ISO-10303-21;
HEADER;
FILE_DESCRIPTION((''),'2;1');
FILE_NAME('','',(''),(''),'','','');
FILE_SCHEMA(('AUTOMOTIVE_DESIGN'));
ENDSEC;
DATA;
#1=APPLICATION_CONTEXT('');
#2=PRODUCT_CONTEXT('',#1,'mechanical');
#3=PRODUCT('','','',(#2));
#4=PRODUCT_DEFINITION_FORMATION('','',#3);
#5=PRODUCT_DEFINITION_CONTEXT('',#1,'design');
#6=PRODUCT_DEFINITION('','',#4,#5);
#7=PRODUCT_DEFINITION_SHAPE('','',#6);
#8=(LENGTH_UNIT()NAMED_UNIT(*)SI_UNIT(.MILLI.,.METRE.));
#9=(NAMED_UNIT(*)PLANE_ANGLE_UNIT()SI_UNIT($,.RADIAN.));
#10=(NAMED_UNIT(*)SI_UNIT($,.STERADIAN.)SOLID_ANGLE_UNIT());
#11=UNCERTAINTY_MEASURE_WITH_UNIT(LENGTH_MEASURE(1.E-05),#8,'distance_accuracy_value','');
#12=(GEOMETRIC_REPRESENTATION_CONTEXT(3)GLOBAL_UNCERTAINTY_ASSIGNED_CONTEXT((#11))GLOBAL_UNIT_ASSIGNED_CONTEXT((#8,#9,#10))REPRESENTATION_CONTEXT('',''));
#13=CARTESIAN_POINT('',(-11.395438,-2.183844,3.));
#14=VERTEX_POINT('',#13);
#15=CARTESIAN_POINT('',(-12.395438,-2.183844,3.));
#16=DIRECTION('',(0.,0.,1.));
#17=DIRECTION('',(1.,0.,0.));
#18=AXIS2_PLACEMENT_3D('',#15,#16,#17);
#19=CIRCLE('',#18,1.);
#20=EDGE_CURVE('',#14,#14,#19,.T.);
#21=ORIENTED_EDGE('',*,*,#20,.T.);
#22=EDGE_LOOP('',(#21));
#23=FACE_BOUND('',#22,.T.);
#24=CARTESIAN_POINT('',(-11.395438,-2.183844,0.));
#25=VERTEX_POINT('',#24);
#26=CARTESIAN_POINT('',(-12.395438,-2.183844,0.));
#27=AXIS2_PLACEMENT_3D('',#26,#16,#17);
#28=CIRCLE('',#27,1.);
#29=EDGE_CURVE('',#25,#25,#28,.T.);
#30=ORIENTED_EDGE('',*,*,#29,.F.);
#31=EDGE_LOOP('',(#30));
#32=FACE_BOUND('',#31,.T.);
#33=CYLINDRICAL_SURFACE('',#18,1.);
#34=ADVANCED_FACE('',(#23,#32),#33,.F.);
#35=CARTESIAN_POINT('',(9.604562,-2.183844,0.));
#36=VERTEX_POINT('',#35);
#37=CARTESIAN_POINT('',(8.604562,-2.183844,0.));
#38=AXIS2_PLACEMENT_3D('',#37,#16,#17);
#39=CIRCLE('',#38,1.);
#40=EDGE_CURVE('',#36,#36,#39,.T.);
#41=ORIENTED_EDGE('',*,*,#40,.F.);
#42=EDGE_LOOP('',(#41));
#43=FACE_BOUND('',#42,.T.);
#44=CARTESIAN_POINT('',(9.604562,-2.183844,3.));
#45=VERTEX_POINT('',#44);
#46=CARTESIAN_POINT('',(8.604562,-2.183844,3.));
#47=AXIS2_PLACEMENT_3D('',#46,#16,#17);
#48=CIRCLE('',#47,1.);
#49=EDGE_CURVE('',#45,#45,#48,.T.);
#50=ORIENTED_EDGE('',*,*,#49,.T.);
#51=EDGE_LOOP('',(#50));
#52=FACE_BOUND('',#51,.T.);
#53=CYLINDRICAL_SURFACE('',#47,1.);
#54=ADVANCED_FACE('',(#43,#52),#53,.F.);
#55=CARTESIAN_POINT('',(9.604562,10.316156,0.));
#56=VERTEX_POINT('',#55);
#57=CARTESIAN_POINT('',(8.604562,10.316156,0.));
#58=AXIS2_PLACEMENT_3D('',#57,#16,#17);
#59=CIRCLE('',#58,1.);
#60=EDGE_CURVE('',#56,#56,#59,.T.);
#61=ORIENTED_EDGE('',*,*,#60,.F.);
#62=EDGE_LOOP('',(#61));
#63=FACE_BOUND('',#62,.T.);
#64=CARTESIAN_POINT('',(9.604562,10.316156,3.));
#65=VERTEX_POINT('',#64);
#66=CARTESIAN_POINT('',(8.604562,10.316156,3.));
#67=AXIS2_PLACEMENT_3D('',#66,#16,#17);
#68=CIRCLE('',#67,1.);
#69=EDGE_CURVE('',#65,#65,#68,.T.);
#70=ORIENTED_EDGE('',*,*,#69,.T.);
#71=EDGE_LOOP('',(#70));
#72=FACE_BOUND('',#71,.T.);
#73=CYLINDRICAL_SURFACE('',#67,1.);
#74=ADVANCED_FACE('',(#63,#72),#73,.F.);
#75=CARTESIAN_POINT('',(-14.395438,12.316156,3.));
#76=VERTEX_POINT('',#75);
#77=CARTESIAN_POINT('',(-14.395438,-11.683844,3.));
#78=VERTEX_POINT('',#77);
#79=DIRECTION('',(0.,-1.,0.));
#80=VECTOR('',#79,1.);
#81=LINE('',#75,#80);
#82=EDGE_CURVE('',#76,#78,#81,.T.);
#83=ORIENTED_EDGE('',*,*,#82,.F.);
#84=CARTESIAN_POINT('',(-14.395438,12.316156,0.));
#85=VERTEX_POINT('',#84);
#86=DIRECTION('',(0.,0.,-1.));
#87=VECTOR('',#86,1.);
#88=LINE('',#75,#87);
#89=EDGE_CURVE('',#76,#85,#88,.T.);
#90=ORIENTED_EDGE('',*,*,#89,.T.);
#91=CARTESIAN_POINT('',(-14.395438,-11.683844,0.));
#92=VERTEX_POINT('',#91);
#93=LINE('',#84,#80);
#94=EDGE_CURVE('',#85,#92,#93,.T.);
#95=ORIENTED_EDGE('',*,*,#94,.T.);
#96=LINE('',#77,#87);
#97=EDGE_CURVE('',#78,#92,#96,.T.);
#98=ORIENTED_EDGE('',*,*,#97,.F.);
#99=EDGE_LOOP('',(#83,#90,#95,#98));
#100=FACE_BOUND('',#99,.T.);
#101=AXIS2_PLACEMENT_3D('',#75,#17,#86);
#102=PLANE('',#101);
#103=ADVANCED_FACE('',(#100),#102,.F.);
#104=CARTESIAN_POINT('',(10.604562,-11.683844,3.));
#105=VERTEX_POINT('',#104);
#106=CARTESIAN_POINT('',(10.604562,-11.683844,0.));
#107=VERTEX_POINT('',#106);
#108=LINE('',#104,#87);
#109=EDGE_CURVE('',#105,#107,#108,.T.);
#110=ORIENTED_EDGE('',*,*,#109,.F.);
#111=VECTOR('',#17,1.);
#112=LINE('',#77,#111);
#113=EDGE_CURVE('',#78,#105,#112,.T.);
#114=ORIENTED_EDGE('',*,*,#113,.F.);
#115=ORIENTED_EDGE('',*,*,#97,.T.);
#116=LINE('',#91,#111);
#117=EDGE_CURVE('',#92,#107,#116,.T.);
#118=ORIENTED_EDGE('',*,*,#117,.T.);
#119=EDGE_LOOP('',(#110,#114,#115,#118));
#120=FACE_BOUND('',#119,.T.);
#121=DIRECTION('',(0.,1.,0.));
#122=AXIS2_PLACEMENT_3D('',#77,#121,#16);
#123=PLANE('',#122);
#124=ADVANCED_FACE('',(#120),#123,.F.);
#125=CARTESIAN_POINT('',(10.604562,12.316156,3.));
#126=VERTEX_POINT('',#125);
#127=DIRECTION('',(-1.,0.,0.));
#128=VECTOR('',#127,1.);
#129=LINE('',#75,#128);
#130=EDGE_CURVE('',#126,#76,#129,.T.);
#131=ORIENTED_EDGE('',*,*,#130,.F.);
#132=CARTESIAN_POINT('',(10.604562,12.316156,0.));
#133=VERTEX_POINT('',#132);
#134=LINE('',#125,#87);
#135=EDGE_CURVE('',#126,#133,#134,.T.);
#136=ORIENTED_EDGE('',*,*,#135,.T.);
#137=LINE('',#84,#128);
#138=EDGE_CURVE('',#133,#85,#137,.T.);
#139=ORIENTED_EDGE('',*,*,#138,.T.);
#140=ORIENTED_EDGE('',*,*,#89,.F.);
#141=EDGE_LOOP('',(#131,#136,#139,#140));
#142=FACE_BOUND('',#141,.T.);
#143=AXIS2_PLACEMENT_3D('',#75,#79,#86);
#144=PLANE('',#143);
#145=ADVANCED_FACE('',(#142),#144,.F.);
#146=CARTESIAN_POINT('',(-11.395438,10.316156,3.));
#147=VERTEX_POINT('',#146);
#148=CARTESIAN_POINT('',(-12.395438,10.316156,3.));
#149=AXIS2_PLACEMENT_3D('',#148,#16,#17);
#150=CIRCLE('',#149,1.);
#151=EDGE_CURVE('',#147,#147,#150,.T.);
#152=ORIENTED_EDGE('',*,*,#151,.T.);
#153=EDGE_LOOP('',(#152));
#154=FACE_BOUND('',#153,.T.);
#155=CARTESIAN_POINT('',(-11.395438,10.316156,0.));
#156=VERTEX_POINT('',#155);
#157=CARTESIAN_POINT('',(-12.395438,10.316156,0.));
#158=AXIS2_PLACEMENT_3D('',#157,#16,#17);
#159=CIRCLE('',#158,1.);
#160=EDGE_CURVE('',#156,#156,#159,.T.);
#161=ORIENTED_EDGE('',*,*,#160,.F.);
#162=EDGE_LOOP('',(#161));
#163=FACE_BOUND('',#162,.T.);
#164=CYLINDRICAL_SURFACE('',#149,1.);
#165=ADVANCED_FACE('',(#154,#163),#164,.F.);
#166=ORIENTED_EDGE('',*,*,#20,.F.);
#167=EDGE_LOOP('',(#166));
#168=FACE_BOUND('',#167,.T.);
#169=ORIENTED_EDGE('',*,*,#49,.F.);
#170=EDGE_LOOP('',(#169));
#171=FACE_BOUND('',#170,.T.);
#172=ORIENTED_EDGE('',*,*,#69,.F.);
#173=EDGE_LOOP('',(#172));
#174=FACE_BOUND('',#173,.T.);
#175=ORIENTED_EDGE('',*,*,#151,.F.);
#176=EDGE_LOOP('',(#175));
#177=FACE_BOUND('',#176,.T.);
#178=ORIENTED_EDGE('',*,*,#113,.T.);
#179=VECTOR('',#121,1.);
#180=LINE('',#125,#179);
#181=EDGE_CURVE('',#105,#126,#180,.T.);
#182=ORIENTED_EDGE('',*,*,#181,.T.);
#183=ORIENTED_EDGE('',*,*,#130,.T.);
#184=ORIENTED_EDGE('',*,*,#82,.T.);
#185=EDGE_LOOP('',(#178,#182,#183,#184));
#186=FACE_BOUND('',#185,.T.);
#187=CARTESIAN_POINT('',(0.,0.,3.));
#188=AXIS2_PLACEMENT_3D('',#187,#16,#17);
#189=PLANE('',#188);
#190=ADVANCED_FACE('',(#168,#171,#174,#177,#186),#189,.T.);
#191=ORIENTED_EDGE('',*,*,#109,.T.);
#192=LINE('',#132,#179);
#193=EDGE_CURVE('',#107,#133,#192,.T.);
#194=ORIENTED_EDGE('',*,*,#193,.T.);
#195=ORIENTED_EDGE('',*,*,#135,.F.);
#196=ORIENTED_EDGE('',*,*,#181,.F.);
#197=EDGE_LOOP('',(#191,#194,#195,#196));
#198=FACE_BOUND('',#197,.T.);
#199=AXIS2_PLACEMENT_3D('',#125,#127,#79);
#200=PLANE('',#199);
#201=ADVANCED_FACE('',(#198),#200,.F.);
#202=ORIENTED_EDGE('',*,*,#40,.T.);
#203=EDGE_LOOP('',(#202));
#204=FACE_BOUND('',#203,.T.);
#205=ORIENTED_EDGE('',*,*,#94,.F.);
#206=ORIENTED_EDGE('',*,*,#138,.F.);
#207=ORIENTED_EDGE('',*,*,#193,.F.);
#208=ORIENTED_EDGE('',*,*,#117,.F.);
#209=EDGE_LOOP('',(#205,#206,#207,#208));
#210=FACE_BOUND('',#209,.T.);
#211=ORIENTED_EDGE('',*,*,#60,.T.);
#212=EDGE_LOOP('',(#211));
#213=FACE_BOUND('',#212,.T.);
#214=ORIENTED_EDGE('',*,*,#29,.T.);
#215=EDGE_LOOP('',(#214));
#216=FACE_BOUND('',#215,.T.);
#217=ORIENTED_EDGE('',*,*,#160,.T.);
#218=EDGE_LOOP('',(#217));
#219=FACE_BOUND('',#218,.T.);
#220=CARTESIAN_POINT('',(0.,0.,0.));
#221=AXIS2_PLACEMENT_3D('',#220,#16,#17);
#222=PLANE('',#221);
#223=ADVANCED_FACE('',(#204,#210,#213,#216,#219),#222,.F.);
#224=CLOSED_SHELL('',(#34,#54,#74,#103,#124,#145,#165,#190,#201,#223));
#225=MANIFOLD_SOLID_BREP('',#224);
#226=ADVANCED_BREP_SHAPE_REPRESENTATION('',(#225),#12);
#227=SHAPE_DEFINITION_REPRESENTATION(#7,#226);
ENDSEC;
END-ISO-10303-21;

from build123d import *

# Parameters (mm, degrees)
SKETCH_1_W                = 25
SKETCH_1_H                = 24
EXTRUDE_1_DEPTH           = 3
HOLE_WIZARD_2_0_2_1_D     = 2
HOLE_WIZARD_2_0_2_1_DEPTH = 5.5
HOLE_WIZARD_2_0_2_1_TIP   = 0.600860619


with BuildPart() as part:
    # 草图1 → 凸台-拉伸1 (new body)
    with BuildSketch(Plane.XY):
        with Locations((-1.895437834, 0.316156105)):
            Rectangle(SKETCH_1_W, SKETCH_1_H)
    extrude(amount=EXTRUDE_1_DEPTH)

    # Ø2.0 (2) 直径孔1
    with Locations(Plane.XY.offset(3)):
        with Locations((-12.395437834, 10.316156105), (8.604562166, 10.316156105), (-12.395437834, -2.183843895), (8.604562166, -2.183843895)):
            Hole(HOLE_WIZARD_2_0_2_1_D / 2, depth=HOLE_WIZARD_2_0_2_1_DEPTH)
            with Locations((0, 0, -(HOLE_WIZARD_2_0_2_1_DEPTH + HOLE_WIZARD_2_0_2_1_TIP / 2))):  # 118° drill point
                Cone(0, HOLE_WIZARD_2_0_2_1_D / 2, HOLE_WIZARD_2_0_2_1_TIP, mode=Mode.SUBTRACT)


solid = part.part
